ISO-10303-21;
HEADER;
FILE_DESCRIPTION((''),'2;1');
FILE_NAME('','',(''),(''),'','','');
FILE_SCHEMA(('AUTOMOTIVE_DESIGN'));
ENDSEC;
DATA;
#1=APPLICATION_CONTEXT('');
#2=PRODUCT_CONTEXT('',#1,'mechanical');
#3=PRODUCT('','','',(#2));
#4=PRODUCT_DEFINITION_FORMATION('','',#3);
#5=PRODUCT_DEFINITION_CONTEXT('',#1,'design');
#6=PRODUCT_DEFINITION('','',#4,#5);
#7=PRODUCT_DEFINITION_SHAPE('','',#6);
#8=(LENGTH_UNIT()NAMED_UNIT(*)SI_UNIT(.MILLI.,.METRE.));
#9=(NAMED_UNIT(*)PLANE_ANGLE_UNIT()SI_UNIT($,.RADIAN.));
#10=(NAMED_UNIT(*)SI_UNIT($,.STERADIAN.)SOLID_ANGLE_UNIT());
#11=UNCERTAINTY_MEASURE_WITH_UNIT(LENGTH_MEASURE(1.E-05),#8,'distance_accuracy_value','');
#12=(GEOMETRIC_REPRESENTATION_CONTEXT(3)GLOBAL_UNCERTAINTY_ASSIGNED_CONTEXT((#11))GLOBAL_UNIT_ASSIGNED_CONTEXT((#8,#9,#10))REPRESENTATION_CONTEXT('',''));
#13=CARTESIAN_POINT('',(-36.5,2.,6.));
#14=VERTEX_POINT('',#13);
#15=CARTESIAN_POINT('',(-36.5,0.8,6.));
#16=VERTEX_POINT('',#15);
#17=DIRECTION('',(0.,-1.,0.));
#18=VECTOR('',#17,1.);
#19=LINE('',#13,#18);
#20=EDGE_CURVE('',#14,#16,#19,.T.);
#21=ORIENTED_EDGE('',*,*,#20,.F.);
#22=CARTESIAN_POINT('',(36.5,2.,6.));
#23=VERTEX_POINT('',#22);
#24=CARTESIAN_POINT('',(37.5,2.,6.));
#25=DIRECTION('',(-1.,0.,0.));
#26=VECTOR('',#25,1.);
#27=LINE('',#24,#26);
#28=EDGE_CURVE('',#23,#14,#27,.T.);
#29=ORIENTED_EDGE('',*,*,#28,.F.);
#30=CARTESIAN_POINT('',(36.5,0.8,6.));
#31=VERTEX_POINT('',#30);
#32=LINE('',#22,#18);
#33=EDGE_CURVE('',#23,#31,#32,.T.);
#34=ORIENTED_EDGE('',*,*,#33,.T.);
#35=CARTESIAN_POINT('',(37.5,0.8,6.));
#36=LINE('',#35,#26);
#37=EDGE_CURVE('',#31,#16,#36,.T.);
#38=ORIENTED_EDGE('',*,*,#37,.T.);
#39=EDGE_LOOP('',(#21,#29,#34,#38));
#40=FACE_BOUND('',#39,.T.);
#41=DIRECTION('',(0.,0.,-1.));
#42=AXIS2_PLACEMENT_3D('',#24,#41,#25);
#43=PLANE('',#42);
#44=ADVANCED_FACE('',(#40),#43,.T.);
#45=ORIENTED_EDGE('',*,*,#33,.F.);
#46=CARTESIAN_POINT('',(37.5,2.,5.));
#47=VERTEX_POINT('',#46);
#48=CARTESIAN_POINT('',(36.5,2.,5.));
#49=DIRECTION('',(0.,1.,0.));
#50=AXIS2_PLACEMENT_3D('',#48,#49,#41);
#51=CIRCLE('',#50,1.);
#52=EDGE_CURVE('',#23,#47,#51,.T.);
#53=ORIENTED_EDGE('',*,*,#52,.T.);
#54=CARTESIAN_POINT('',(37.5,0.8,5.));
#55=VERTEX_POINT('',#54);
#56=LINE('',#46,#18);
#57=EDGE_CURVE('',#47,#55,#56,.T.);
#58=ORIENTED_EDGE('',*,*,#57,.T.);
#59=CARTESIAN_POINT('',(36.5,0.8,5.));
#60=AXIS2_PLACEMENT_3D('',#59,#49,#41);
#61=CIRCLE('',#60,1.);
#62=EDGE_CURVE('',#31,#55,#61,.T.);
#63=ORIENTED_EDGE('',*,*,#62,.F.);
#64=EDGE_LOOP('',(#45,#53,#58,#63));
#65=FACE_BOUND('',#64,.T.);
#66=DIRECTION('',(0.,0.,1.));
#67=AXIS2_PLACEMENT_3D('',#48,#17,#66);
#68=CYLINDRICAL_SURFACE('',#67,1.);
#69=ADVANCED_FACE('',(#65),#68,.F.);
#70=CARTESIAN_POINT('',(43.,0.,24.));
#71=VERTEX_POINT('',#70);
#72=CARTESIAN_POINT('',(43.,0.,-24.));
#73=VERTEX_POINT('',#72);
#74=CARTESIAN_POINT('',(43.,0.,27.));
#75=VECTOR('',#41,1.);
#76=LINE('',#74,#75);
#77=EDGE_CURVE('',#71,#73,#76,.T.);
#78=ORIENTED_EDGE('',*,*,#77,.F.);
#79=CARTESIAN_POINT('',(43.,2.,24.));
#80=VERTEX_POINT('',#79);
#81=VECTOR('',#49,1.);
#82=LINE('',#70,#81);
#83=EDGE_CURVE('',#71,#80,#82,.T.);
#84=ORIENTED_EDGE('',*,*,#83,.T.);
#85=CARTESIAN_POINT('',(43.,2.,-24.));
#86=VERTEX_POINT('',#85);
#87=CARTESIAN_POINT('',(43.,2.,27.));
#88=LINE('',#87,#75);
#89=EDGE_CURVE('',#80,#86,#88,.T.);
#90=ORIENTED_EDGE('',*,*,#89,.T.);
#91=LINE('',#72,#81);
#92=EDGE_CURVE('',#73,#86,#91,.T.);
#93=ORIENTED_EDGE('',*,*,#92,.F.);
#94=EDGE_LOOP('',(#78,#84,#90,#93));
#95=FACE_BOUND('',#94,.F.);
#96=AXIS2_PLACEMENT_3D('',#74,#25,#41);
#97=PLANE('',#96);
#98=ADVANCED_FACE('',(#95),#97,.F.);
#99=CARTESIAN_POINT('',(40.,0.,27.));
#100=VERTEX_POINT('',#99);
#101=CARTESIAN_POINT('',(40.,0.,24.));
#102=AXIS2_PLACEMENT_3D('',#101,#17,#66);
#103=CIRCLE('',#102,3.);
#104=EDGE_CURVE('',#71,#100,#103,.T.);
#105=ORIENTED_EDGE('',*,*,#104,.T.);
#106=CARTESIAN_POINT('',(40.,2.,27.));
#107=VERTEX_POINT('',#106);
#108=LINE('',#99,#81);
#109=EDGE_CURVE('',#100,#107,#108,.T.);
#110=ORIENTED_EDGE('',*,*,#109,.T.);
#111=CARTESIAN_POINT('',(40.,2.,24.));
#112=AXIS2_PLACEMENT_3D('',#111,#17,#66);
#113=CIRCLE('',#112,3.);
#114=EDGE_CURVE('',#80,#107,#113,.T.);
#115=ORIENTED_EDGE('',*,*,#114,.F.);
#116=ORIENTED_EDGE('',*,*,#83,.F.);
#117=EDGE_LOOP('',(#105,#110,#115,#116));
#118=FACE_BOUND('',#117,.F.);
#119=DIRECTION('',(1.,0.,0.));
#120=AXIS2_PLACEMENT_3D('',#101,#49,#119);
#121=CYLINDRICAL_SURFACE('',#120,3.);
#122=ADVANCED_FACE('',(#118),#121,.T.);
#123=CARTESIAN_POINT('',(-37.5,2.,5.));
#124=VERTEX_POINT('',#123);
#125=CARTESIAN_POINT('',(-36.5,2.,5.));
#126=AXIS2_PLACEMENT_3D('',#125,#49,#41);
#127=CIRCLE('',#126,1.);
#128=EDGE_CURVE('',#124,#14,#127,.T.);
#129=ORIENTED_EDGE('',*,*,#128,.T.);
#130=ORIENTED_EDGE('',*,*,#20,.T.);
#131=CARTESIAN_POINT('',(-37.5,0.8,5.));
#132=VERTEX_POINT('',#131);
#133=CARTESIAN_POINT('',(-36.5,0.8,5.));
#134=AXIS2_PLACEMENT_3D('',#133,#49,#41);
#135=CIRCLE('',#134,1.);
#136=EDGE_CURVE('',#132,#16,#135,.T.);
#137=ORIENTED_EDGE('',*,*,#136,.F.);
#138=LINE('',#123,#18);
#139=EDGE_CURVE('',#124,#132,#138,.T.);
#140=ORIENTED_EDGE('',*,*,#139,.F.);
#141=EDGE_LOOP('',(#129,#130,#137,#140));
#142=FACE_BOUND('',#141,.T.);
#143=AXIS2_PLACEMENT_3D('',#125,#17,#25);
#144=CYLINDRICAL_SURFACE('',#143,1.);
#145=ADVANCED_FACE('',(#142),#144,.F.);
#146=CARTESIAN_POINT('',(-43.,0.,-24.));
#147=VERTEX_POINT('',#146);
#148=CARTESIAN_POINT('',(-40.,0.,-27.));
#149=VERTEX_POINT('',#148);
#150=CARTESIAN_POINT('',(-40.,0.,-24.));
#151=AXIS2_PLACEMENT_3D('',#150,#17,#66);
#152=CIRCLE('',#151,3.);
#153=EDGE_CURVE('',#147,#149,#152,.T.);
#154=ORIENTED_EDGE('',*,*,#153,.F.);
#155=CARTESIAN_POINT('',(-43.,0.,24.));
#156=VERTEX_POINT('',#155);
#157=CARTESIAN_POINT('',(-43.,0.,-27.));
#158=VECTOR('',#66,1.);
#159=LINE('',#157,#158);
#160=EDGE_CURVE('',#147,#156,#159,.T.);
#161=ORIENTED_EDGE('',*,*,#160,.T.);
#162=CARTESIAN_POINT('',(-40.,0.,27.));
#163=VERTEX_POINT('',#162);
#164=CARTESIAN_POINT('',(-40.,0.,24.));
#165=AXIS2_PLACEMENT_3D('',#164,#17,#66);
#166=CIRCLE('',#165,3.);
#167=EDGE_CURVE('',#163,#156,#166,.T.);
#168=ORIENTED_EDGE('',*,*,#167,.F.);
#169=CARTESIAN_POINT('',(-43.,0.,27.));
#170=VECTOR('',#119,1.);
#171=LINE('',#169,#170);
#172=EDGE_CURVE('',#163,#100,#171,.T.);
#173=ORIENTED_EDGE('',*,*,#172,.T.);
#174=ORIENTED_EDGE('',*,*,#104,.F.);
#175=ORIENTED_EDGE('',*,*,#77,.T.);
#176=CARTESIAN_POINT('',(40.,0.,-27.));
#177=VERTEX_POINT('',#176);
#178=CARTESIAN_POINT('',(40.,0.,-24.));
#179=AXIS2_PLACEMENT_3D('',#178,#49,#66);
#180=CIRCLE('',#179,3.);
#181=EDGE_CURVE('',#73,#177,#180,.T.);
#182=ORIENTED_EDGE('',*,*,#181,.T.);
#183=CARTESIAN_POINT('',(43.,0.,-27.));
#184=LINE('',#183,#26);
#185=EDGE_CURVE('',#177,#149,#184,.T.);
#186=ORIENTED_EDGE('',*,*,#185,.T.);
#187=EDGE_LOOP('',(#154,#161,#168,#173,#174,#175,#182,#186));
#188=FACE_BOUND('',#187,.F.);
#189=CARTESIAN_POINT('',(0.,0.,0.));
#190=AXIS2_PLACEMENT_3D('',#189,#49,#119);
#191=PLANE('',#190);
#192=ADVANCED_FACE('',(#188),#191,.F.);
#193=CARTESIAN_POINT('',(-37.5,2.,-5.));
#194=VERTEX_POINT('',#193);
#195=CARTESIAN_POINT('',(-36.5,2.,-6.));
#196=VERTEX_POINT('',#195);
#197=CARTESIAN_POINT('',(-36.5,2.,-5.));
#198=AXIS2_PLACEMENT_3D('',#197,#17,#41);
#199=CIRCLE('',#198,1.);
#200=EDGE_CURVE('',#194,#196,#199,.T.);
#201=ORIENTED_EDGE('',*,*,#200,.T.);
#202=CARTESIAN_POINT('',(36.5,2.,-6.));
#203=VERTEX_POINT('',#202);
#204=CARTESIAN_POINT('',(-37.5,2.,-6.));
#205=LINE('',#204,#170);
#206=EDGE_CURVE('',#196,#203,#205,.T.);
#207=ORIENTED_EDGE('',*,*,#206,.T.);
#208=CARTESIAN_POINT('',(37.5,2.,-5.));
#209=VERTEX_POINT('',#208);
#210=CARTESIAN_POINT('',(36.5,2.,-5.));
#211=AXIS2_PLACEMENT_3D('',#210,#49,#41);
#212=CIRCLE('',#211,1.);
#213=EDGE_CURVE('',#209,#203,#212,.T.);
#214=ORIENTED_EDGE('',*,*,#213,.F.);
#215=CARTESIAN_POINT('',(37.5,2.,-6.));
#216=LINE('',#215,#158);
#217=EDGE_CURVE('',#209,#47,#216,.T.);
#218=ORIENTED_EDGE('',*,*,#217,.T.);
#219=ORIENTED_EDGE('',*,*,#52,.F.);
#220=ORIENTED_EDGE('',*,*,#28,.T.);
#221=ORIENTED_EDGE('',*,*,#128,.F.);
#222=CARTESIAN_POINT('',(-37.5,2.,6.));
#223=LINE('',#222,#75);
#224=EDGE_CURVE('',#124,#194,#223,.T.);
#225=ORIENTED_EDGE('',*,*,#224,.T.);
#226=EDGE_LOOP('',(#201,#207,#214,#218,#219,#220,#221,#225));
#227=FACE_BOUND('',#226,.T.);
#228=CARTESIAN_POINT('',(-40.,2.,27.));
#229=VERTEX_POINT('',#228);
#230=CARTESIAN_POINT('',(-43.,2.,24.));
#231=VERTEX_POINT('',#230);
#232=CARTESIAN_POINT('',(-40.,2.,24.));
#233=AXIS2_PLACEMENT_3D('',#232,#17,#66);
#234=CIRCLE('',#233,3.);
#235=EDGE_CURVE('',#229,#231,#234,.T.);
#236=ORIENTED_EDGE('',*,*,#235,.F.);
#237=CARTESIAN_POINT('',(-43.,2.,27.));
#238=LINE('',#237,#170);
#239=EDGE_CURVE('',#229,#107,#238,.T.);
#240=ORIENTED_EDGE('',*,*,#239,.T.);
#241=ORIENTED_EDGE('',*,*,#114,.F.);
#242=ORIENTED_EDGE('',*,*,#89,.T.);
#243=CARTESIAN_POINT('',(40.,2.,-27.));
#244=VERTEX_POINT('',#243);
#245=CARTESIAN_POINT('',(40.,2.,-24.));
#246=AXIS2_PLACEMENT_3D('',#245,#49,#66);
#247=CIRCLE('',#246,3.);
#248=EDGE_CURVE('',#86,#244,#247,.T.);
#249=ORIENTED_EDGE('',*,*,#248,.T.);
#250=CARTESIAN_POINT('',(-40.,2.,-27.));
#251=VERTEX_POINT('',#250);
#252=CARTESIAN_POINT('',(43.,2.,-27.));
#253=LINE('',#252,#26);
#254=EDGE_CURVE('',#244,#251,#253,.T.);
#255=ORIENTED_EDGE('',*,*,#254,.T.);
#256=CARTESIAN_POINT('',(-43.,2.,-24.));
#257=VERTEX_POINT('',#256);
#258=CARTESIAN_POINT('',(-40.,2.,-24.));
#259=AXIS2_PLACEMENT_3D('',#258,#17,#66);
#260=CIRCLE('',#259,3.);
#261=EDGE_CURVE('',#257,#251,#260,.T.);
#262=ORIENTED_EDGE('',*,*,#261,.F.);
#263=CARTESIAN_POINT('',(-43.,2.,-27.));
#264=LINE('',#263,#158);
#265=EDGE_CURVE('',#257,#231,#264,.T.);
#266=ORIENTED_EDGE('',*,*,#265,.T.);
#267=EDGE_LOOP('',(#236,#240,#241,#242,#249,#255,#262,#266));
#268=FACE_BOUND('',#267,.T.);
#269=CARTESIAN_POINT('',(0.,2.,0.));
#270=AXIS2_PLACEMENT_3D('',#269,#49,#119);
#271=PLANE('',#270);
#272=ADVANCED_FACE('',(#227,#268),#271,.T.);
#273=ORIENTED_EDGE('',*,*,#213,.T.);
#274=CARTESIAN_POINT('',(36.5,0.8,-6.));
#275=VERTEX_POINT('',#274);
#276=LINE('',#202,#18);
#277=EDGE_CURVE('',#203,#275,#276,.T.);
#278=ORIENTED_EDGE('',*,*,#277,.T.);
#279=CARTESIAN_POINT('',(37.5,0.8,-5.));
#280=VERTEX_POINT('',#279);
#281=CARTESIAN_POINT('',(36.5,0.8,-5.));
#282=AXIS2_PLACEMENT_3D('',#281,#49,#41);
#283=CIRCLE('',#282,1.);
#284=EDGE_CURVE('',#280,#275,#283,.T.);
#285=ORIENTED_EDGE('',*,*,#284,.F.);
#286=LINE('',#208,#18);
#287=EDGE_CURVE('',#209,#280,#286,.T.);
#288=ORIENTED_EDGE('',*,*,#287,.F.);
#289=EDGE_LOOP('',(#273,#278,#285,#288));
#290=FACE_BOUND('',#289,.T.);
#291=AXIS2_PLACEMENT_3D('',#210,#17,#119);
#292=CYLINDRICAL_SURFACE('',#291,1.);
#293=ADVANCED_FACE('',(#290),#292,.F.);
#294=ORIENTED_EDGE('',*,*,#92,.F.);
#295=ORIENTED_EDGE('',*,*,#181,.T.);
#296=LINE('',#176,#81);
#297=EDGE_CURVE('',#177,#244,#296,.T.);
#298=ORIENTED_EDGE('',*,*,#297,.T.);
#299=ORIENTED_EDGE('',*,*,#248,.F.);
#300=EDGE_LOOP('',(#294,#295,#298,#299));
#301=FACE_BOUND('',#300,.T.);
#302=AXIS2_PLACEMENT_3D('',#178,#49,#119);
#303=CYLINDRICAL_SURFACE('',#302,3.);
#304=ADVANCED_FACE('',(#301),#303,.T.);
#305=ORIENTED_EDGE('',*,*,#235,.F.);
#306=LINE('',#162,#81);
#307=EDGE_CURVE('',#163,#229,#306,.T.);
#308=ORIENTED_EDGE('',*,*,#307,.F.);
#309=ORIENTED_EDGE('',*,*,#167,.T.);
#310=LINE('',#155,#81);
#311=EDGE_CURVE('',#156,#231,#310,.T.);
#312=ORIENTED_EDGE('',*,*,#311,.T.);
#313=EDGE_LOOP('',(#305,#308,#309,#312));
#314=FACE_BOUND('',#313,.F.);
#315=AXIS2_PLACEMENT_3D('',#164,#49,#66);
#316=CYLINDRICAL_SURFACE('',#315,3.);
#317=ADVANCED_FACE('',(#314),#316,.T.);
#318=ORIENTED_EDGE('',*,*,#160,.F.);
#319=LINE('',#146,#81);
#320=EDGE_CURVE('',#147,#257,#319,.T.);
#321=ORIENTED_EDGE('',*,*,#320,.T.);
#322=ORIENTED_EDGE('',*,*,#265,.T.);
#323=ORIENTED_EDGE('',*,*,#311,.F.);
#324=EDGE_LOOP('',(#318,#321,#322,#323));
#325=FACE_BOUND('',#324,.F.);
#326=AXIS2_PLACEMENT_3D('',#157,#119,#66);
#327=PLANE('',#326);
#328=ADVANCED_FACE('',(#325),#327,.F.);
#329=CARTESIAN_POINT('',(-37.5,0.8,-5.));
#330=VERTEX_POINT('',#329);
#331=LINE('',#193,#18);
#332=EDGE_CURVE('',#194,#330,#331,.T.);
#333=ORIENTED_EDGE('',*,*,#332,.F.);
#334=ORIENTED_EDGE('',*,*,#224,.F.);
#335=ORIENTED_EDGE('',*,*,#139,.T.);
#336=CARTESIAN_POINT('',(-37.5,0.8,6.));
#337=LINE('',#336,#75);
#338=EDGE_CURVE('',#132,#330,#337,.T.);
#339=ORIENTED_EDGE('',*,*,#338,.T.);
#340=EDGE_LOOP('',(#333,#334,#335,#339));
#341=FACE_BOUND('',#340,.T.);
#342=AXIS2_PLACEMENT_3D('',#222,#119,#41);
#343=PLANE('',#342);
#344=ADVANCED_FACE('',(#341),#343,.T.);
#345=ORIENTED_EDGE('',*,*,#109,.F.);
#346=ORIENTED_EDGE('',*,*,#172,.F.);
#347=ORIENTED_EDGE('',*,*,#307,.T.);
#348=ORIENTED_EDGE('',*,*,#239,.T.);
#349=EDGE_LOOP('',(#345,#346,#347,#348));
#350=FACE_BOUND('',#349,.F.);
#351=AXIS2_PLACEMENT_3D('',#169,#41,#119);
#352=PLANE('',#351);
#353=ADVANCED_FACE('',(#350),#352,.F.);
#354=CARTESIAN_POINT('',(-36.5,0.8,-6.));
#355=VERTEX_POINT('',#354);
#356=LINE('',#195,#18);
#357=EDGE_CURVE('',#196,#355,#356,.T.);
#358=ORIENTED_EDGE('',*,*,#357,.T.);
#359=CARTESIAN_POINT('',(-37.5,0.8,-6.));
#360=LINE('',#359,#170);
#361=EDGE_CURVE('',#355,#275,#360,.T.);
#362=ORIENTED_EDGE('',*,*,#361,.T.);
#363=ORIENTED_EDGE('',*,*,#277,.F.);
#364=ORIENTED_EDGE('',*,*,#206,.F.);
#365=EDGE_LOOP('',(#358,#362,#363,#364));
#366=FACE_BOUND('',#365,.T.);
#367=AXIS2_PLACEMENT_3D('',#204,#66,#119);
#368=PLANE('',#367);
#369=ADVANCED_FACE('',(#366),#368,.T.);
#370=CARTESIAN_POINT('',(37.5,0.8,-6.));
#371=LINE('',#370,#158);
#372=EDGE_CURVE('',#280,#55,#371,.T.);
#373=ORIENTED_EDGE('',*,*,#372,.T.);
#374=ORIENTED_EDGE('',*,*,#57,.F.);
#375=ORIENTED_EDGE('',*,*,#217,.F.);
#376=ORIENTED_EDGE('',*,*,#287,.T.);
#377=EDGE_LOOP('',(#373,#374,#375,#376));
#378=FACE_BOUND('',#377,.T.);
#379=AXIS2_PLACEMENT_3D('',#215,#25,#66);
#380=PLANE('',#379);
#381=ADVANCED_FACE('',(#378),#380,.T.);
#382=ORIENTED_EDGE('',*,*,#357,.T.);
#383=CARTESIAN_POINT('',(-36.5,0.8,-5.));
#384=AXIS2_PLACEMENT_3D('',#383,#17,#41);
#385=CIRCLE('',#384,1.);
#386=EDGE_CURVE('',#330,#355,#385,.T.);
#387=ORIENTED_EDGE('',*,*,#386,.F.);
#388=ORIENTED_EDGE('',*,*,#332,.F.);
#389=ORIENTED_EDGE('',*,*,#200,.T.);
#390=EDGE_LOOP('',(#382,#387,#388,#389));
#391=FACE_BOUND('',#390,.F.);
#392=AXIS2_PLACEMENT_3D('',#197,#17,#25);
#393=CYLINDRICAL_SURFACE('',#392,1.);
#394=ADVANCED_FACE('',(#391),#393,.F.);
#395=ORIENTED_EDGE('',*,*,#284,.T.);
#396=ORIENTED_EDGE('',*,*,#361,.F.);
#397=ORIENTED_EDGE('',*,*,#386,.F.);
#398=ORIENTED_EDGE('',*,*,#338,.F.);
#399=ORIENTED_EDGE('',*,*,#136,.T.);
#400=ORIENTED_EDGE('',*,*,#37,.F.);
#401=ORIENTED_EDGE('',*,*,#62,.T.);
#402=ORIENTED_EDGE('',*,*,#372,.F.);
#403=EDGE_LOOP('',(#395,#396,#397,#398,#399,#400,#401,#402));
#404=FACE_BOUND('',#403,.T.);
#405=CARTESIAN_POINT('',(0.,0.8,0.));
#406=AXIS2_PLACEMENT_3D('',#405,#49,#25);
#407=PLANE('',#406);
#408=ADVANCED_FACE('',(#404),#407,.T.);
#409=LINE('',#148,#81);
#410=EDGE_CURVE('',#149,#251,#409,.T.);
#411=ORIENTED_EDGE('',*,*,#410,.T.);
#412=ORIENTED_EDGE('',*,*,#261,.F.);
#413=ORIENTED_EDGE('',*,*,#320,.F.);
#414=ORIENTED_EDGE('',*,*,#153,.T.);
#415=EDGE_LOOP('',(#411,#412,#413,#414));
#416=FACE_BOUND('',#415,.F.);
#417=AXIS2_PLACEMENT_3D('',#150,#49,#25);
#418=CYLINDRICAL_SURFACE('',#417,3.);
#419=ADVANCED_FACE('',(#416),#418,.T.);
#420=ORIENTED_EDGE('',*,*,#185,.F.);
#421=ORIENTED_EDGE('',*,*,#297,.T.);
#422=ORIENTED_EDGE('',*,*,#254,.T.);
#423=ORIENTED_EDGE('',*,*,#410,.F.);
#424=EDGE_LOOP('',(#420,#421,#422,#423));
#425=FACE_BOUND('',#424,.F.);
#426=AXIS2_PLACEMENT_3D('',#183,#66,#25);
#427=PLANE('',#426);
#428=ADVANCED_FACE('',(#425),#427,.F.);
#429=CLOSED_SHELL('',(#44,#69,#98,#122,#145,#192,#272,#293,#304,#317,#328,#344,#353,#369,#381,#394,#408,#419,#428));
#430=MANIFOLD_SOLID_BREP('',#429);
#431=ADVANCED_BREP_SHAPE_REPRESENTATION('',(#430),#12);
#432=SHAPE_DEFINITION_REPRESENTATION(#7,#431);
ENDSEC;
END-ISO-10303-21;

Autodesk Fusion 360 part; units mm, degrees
sketch "Skizze1" plane through (0, 0, 0) normal (0, 1, 0) x (1, 0, 0)
  line L0 (43, 27) -> (-43, 27)
  line L1 (-43, 27) -> (-43, -27)
  line L2 (-43, -27) -> (43, -27)
  line L3 (43, -27) -> (43, 27)
  line L4 (43, 27) -> (-43, -27) construction
  line L5 (-43, 27) -> (43, -27) construction
  dimension "d1" = 54
  dimension "d2" = 86
extrude "Extrusion1" add sketch "Skizze1" along normal blind 2
fillet "Abrundung1" radius 3 4 edges at (43, 1, -27) (43, 1, 27) (-43, 1, 27) (-43, 1, -27)
sketch "Skizze2" plane through (0, 2, 0) normal (0, 1, 0) x (-1, 0, 0)
  arc A0 (40, -27) -> (43, -24) centre (40, -24) ccw
  line L0 (43, -24) -> (43, 24)
  arc A1 (43, 24) -> (40, 27) centre (40, 24) ccw
  line L1 (40, 27) -> (-40, 27)
  arc A2 (-40, 27) -> (-43, 24) centre (-40, 24) ccw
  line L2 (-43, 24) -> (-43, -24)
  arc A3 (-43, -24) -> (-40, -27) centre (-40, -24) ccw
  line L3 (-40, -27) -> (40, -27)
  line L4 (37.5, -6) -> (-37.5, -6)
  line L5 (-37.5, -6) -> (-37.5, 6)
  line L6 (-37.5, 6) -> (37.5, 6)
  line L7 (37.5, 6) -> (37.5, -6)
  line L8 (37.5, -6) -> (-37.5, 6) construction
  line L9 (-37.5, -6) -> (37.5, 6) construction
  dimension "d7" = 12
  dimension "d8" = 75
extrude "Extrusion2" cut sketch "Skizze2" against normal blind 1.2 contours L4 L5 L6 L7
fillet "Abrundung2" radius 1 4 edges at (37.5, 1.4, -6) (37.5, 1.4, 6) (-37.5, 1.4, -6) (-37.5, 1.4, 6)
